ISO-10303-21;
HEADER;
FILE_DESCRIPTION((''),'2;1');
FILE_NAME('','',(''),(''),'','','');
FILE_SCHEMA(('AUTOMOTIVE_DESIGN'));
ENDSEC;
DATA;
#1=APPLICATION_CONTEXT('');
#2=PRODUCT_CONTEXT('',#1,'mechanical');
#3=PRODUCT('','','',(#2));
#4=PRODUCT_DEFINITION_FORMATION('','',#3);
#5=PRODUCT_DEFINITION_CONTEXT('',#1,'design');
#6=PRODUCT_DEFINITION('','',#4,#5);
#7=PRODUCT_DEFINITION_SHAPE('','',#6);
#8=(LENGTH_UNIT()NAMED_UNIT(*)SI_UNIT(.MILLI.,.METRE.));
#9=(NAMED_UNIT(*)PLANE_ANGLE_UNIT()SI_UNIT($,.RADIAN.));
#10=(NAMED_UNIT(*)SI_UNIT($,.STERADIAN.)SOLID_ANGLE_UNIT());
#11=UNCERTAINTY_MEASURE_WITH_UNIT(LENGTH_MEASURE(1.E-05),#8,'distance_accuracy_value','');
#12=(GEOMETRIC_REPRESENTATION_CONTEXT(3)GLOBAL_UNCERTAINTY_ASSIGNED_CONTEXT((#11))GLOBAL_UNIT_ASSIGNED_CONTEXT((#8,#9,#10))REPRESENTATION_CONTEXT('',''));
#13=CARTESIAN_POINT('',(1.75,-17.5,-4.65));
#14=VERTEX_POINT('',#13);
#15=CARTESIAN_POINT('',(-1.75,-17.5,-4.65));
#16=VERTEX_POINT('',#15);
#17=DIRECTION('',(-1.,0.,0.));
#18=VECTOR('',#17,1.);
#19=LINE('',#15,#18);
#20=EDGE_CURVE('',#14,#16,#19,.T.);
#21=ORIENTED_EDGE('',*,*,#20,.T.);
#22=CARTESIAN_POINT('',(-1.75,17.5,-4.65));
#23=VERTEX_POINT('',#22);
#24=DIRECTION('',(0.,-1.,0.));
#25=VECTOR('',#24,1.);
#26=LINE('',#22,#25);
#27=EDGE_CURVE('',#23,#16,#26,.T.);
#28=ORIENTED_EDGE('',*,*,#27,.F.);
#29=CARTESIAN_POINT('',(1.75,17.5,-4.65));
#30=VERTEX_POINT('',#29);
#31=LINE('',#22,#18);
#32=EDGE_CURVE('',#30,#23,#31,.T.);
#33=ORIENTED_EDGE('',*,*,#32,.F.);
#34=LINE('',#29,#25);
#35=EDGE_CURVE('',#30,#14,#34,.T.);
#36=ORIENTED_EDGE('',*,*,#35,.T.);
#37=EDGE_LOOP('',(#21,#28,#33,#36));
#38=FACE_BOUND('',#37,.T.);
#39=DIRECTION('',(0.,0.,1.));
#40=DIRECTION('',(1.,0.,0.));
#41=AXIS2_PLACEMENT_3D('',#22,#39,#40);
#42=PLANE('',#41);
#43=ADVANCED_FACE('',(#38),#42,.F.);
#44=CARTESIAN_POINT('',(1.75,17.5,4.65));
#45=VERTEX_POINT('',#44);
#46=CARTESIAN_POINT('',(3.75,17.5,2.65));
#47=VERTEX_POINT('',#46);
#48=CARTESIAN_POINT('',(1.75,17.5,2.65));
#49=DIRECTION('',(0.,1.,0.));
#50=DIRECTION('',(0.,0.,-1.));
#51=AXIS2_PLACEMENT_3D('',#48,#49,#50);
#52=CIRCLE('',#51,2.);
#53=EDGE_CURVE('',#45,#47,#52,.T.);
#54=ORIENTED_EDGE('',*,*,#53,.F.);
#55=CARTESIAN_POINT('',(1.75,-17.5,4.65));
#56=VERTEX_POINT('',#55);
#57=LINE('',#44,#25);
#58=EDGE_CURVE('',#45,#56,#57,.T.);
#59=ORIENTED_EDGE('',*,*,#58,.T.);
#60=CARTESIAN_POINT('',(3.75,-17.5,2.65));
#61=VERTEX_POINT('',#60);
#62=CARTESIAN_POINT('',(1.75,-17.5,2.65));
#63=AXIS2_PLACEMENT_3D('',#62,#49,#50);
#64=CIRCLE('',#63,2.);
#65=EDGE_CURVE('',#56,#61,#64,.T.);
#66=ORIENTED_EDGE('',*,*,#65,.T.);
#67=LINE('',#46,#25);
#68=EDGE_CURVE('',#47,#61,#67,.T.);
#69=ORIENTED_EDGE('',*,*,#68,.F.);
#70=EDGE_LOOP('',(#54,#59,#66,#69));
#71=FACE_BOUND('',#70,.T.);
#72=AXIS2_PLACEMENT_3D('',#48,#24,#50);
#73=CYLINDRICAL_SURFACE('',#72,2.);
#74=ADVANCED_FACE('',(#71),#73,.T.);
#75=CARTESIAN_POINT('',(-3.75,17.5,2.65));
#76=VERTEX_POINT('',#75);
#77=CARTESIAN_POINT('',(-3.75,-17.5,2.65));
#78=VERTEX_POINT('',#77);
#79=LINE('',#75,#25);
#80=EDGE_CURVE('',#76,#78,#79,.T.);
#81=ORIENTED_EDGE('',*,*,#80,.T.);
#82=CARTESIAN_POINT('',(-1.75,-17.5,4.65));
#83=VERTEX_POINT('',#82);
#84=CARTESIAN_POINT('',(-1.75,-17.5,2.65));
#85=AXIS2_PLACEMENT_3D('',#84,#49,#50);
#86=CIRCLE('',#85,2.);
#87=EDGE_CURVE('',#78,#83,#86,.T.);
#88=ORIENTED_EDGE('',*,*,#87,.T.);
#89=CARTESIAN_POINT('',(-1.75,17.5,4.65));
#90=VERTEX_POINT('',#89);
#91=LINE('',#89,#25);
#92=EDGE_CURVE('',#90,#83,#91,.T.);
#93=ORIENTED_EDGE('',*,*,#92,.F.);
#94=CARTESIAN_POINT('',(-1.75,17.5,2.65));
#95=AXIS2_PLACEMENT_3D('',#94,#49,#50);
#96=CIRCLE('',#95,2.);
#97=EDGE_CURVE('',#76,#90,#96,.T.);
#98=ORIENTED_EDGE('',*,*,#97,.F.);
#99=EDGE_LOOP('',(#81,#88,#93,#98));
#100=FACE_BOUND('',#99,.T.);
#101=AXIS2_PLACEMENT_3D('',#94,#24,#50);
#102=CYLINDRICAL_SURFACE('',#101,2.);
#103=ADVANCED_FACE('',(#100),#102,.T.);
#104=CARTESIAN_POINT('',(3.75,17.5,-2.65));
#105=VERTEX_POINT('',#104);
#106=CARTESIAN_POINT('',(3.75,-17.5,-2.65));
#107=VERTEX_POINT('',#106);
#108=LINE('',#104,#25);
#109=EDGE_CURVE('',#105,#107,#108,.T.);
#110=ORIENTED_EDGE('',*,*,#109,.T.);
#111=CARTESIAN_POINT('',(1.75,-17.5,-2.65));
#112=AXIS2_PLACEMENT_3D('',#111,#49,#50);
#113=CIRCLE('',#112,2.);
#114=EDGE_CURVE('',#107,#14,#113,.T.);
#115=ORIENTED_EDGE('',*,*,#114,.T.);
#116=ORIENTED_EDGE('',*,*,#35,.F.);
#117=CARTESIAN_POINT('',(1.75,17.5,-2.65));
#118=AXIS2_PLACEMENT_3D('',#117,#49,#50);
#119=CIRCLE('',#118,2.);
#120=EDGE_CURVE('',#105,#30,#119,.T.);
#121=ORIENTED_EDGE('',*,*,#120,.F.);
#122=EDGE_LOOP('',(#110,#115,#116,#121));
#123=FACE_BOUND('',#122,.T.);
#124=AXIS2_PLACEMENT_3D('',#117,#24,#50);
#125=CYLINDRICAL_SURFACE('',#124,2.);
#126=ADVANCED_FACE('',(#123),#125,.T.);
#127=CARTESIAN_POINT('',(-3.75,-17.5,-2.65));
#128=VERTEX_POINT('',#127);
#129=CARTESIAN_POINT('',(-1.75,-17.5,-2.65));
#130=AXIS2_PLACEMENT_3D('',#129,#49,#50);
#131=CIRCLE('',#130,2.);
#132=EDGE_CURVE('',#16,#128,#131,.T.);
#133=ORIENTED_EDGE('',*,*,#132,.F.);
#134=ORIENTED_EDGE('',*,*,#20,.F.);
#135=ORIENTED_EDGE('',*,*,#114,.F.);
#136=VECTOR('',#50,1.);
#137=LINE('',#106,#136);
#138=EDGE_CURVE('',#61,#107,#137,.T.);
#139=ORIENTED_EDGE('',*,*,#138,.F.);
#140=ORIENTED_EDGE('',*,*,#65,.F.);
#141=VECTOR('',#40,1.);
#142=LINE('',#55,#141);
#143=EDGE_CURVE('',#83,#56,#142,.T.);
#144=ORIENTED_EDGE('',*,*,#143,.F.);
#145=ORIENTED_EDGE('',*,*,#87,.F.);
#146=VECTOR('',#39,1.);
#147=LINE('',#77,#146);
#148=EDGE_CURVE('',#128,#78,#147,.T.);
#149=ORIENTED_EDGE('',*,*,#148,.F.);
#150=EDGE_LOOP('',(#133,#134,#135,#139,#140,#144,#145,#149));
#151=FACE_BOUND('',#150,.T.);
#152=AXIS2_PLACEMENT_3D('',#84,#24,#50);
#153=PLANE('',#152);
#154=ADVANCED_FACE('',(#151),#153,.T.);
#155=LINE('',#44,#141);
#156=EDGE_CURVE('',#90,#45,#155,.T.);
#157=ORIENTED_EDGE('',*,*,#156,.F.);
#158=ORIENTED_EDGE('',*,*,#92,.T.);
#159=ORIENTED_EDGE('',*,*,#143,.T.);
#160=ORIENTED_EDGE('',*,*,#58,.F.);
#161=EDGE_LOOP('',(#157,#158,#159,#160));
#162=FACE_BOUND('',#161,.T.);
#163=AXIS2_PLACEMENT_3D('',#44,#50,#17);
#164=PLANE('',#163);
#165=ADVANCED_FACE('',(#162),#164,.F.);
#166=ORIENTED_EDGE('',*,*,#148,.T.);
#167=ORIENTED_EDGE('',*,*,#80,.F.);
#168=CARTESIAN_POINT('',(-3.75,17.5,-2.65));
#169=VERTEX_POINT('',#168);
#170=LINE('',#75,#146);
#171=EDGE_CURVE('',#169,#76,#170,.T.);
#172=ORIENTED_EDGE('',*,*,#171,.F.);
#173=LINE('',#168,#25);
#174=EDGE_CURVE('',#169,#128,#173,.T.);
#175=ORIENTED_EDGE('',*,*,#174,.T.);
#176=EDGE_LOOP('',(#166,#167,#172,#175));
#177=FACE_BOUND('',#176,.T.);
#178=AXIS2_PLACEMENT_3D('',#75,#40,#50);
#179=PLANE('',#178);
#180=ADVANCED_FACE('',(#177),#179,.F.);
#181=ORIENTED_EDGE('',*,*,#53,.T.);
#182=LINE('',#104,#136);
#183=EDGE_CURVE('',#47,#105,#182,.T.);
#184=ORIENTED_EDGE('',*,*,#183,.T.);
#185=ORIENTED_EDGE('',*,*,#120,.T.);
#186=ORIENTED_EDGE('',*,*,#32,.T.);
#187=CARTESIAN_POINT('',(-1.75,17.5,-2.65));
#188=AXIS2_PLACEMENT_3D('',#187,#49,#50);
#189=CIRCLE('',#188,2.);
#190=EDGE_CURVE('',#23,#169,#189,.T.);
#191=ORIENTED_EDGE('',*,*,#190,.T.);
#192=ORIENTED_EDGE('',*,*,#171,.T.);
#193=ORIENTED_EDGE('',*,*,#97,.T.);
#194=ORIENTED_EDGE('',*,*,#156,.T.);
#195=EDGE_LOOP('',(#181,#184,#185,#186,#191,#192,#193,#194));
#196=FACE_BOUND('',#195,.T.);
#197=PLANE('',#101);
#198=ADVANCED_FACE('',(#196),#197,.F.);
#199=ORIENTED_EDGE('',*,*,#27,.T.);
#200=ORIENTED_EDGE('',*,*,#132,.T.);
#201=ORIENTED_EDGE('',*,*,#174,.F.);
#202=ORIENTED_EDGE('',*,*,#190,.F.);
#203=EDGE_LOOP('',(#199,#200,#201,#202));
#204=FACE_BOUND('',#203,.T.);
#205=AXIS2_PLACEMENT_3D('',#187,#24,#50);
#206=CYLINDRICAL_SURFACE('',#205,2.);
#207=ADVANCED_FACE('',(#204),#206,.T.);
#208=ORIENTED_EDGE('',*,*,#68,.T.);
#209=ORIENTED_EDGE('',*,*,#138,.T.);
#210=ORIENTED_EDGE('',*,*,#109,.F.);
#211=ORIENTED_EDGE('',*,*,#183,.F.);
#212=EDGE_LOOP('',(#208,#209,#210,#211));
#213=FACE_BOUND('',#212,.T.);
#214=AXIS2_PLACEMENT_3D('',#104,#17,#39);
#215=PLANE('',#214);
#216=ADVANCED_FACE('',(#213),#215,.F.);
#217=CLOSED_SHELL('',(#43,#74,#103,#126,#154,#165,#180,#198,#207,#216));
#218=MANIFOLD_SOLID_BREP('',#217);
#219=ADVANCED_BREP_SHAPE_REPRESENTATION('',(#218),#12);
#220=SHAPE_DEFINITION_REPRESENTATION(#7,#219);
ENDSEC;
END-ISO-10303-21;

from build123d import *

# Parameters (mm, degrees)
BOSS_EXTRUDE1_DEPTH = 17.5


with BuildPart() as part:
    # Sketch1 → Boss-Extrude1 (new, symmetric)
    with BuildSketch(Plane(origin=(0, 0, 0), x_dir=(1, 0, 0), z_dir=(0, 1, 0))):
        with BuildLine():
            Line((-3.75, -2.65), (-3.75, 2.65))
            ThreePointArc((-3.75, 2.65), (-3.164213562, 4.064213562), (-1.75, 4.65))
            Line((-1.75, 4.65), (1.75, 4.65))
            ThreePointArc((1.75, 4.65), (3.164213562, 4.064213562), (3.75, 2.65))
            Line((3.75, 2.65), (3.75, -2.65))
            ThreePointArc((3.75, -2.65), (3.164213562, -4.064213562), (1.75, -4.65))
            Line((1.75, -4.65), (-1.75, -4.65))
            ThreePointArc((-1.75, -4.65), (-3.164213562, -4.064213562), (-3.75, -2.65))
        make_face()
    extrude(amount=BOSS_EXTRUDE1_DEPTH, both=True)


solid = part.part
